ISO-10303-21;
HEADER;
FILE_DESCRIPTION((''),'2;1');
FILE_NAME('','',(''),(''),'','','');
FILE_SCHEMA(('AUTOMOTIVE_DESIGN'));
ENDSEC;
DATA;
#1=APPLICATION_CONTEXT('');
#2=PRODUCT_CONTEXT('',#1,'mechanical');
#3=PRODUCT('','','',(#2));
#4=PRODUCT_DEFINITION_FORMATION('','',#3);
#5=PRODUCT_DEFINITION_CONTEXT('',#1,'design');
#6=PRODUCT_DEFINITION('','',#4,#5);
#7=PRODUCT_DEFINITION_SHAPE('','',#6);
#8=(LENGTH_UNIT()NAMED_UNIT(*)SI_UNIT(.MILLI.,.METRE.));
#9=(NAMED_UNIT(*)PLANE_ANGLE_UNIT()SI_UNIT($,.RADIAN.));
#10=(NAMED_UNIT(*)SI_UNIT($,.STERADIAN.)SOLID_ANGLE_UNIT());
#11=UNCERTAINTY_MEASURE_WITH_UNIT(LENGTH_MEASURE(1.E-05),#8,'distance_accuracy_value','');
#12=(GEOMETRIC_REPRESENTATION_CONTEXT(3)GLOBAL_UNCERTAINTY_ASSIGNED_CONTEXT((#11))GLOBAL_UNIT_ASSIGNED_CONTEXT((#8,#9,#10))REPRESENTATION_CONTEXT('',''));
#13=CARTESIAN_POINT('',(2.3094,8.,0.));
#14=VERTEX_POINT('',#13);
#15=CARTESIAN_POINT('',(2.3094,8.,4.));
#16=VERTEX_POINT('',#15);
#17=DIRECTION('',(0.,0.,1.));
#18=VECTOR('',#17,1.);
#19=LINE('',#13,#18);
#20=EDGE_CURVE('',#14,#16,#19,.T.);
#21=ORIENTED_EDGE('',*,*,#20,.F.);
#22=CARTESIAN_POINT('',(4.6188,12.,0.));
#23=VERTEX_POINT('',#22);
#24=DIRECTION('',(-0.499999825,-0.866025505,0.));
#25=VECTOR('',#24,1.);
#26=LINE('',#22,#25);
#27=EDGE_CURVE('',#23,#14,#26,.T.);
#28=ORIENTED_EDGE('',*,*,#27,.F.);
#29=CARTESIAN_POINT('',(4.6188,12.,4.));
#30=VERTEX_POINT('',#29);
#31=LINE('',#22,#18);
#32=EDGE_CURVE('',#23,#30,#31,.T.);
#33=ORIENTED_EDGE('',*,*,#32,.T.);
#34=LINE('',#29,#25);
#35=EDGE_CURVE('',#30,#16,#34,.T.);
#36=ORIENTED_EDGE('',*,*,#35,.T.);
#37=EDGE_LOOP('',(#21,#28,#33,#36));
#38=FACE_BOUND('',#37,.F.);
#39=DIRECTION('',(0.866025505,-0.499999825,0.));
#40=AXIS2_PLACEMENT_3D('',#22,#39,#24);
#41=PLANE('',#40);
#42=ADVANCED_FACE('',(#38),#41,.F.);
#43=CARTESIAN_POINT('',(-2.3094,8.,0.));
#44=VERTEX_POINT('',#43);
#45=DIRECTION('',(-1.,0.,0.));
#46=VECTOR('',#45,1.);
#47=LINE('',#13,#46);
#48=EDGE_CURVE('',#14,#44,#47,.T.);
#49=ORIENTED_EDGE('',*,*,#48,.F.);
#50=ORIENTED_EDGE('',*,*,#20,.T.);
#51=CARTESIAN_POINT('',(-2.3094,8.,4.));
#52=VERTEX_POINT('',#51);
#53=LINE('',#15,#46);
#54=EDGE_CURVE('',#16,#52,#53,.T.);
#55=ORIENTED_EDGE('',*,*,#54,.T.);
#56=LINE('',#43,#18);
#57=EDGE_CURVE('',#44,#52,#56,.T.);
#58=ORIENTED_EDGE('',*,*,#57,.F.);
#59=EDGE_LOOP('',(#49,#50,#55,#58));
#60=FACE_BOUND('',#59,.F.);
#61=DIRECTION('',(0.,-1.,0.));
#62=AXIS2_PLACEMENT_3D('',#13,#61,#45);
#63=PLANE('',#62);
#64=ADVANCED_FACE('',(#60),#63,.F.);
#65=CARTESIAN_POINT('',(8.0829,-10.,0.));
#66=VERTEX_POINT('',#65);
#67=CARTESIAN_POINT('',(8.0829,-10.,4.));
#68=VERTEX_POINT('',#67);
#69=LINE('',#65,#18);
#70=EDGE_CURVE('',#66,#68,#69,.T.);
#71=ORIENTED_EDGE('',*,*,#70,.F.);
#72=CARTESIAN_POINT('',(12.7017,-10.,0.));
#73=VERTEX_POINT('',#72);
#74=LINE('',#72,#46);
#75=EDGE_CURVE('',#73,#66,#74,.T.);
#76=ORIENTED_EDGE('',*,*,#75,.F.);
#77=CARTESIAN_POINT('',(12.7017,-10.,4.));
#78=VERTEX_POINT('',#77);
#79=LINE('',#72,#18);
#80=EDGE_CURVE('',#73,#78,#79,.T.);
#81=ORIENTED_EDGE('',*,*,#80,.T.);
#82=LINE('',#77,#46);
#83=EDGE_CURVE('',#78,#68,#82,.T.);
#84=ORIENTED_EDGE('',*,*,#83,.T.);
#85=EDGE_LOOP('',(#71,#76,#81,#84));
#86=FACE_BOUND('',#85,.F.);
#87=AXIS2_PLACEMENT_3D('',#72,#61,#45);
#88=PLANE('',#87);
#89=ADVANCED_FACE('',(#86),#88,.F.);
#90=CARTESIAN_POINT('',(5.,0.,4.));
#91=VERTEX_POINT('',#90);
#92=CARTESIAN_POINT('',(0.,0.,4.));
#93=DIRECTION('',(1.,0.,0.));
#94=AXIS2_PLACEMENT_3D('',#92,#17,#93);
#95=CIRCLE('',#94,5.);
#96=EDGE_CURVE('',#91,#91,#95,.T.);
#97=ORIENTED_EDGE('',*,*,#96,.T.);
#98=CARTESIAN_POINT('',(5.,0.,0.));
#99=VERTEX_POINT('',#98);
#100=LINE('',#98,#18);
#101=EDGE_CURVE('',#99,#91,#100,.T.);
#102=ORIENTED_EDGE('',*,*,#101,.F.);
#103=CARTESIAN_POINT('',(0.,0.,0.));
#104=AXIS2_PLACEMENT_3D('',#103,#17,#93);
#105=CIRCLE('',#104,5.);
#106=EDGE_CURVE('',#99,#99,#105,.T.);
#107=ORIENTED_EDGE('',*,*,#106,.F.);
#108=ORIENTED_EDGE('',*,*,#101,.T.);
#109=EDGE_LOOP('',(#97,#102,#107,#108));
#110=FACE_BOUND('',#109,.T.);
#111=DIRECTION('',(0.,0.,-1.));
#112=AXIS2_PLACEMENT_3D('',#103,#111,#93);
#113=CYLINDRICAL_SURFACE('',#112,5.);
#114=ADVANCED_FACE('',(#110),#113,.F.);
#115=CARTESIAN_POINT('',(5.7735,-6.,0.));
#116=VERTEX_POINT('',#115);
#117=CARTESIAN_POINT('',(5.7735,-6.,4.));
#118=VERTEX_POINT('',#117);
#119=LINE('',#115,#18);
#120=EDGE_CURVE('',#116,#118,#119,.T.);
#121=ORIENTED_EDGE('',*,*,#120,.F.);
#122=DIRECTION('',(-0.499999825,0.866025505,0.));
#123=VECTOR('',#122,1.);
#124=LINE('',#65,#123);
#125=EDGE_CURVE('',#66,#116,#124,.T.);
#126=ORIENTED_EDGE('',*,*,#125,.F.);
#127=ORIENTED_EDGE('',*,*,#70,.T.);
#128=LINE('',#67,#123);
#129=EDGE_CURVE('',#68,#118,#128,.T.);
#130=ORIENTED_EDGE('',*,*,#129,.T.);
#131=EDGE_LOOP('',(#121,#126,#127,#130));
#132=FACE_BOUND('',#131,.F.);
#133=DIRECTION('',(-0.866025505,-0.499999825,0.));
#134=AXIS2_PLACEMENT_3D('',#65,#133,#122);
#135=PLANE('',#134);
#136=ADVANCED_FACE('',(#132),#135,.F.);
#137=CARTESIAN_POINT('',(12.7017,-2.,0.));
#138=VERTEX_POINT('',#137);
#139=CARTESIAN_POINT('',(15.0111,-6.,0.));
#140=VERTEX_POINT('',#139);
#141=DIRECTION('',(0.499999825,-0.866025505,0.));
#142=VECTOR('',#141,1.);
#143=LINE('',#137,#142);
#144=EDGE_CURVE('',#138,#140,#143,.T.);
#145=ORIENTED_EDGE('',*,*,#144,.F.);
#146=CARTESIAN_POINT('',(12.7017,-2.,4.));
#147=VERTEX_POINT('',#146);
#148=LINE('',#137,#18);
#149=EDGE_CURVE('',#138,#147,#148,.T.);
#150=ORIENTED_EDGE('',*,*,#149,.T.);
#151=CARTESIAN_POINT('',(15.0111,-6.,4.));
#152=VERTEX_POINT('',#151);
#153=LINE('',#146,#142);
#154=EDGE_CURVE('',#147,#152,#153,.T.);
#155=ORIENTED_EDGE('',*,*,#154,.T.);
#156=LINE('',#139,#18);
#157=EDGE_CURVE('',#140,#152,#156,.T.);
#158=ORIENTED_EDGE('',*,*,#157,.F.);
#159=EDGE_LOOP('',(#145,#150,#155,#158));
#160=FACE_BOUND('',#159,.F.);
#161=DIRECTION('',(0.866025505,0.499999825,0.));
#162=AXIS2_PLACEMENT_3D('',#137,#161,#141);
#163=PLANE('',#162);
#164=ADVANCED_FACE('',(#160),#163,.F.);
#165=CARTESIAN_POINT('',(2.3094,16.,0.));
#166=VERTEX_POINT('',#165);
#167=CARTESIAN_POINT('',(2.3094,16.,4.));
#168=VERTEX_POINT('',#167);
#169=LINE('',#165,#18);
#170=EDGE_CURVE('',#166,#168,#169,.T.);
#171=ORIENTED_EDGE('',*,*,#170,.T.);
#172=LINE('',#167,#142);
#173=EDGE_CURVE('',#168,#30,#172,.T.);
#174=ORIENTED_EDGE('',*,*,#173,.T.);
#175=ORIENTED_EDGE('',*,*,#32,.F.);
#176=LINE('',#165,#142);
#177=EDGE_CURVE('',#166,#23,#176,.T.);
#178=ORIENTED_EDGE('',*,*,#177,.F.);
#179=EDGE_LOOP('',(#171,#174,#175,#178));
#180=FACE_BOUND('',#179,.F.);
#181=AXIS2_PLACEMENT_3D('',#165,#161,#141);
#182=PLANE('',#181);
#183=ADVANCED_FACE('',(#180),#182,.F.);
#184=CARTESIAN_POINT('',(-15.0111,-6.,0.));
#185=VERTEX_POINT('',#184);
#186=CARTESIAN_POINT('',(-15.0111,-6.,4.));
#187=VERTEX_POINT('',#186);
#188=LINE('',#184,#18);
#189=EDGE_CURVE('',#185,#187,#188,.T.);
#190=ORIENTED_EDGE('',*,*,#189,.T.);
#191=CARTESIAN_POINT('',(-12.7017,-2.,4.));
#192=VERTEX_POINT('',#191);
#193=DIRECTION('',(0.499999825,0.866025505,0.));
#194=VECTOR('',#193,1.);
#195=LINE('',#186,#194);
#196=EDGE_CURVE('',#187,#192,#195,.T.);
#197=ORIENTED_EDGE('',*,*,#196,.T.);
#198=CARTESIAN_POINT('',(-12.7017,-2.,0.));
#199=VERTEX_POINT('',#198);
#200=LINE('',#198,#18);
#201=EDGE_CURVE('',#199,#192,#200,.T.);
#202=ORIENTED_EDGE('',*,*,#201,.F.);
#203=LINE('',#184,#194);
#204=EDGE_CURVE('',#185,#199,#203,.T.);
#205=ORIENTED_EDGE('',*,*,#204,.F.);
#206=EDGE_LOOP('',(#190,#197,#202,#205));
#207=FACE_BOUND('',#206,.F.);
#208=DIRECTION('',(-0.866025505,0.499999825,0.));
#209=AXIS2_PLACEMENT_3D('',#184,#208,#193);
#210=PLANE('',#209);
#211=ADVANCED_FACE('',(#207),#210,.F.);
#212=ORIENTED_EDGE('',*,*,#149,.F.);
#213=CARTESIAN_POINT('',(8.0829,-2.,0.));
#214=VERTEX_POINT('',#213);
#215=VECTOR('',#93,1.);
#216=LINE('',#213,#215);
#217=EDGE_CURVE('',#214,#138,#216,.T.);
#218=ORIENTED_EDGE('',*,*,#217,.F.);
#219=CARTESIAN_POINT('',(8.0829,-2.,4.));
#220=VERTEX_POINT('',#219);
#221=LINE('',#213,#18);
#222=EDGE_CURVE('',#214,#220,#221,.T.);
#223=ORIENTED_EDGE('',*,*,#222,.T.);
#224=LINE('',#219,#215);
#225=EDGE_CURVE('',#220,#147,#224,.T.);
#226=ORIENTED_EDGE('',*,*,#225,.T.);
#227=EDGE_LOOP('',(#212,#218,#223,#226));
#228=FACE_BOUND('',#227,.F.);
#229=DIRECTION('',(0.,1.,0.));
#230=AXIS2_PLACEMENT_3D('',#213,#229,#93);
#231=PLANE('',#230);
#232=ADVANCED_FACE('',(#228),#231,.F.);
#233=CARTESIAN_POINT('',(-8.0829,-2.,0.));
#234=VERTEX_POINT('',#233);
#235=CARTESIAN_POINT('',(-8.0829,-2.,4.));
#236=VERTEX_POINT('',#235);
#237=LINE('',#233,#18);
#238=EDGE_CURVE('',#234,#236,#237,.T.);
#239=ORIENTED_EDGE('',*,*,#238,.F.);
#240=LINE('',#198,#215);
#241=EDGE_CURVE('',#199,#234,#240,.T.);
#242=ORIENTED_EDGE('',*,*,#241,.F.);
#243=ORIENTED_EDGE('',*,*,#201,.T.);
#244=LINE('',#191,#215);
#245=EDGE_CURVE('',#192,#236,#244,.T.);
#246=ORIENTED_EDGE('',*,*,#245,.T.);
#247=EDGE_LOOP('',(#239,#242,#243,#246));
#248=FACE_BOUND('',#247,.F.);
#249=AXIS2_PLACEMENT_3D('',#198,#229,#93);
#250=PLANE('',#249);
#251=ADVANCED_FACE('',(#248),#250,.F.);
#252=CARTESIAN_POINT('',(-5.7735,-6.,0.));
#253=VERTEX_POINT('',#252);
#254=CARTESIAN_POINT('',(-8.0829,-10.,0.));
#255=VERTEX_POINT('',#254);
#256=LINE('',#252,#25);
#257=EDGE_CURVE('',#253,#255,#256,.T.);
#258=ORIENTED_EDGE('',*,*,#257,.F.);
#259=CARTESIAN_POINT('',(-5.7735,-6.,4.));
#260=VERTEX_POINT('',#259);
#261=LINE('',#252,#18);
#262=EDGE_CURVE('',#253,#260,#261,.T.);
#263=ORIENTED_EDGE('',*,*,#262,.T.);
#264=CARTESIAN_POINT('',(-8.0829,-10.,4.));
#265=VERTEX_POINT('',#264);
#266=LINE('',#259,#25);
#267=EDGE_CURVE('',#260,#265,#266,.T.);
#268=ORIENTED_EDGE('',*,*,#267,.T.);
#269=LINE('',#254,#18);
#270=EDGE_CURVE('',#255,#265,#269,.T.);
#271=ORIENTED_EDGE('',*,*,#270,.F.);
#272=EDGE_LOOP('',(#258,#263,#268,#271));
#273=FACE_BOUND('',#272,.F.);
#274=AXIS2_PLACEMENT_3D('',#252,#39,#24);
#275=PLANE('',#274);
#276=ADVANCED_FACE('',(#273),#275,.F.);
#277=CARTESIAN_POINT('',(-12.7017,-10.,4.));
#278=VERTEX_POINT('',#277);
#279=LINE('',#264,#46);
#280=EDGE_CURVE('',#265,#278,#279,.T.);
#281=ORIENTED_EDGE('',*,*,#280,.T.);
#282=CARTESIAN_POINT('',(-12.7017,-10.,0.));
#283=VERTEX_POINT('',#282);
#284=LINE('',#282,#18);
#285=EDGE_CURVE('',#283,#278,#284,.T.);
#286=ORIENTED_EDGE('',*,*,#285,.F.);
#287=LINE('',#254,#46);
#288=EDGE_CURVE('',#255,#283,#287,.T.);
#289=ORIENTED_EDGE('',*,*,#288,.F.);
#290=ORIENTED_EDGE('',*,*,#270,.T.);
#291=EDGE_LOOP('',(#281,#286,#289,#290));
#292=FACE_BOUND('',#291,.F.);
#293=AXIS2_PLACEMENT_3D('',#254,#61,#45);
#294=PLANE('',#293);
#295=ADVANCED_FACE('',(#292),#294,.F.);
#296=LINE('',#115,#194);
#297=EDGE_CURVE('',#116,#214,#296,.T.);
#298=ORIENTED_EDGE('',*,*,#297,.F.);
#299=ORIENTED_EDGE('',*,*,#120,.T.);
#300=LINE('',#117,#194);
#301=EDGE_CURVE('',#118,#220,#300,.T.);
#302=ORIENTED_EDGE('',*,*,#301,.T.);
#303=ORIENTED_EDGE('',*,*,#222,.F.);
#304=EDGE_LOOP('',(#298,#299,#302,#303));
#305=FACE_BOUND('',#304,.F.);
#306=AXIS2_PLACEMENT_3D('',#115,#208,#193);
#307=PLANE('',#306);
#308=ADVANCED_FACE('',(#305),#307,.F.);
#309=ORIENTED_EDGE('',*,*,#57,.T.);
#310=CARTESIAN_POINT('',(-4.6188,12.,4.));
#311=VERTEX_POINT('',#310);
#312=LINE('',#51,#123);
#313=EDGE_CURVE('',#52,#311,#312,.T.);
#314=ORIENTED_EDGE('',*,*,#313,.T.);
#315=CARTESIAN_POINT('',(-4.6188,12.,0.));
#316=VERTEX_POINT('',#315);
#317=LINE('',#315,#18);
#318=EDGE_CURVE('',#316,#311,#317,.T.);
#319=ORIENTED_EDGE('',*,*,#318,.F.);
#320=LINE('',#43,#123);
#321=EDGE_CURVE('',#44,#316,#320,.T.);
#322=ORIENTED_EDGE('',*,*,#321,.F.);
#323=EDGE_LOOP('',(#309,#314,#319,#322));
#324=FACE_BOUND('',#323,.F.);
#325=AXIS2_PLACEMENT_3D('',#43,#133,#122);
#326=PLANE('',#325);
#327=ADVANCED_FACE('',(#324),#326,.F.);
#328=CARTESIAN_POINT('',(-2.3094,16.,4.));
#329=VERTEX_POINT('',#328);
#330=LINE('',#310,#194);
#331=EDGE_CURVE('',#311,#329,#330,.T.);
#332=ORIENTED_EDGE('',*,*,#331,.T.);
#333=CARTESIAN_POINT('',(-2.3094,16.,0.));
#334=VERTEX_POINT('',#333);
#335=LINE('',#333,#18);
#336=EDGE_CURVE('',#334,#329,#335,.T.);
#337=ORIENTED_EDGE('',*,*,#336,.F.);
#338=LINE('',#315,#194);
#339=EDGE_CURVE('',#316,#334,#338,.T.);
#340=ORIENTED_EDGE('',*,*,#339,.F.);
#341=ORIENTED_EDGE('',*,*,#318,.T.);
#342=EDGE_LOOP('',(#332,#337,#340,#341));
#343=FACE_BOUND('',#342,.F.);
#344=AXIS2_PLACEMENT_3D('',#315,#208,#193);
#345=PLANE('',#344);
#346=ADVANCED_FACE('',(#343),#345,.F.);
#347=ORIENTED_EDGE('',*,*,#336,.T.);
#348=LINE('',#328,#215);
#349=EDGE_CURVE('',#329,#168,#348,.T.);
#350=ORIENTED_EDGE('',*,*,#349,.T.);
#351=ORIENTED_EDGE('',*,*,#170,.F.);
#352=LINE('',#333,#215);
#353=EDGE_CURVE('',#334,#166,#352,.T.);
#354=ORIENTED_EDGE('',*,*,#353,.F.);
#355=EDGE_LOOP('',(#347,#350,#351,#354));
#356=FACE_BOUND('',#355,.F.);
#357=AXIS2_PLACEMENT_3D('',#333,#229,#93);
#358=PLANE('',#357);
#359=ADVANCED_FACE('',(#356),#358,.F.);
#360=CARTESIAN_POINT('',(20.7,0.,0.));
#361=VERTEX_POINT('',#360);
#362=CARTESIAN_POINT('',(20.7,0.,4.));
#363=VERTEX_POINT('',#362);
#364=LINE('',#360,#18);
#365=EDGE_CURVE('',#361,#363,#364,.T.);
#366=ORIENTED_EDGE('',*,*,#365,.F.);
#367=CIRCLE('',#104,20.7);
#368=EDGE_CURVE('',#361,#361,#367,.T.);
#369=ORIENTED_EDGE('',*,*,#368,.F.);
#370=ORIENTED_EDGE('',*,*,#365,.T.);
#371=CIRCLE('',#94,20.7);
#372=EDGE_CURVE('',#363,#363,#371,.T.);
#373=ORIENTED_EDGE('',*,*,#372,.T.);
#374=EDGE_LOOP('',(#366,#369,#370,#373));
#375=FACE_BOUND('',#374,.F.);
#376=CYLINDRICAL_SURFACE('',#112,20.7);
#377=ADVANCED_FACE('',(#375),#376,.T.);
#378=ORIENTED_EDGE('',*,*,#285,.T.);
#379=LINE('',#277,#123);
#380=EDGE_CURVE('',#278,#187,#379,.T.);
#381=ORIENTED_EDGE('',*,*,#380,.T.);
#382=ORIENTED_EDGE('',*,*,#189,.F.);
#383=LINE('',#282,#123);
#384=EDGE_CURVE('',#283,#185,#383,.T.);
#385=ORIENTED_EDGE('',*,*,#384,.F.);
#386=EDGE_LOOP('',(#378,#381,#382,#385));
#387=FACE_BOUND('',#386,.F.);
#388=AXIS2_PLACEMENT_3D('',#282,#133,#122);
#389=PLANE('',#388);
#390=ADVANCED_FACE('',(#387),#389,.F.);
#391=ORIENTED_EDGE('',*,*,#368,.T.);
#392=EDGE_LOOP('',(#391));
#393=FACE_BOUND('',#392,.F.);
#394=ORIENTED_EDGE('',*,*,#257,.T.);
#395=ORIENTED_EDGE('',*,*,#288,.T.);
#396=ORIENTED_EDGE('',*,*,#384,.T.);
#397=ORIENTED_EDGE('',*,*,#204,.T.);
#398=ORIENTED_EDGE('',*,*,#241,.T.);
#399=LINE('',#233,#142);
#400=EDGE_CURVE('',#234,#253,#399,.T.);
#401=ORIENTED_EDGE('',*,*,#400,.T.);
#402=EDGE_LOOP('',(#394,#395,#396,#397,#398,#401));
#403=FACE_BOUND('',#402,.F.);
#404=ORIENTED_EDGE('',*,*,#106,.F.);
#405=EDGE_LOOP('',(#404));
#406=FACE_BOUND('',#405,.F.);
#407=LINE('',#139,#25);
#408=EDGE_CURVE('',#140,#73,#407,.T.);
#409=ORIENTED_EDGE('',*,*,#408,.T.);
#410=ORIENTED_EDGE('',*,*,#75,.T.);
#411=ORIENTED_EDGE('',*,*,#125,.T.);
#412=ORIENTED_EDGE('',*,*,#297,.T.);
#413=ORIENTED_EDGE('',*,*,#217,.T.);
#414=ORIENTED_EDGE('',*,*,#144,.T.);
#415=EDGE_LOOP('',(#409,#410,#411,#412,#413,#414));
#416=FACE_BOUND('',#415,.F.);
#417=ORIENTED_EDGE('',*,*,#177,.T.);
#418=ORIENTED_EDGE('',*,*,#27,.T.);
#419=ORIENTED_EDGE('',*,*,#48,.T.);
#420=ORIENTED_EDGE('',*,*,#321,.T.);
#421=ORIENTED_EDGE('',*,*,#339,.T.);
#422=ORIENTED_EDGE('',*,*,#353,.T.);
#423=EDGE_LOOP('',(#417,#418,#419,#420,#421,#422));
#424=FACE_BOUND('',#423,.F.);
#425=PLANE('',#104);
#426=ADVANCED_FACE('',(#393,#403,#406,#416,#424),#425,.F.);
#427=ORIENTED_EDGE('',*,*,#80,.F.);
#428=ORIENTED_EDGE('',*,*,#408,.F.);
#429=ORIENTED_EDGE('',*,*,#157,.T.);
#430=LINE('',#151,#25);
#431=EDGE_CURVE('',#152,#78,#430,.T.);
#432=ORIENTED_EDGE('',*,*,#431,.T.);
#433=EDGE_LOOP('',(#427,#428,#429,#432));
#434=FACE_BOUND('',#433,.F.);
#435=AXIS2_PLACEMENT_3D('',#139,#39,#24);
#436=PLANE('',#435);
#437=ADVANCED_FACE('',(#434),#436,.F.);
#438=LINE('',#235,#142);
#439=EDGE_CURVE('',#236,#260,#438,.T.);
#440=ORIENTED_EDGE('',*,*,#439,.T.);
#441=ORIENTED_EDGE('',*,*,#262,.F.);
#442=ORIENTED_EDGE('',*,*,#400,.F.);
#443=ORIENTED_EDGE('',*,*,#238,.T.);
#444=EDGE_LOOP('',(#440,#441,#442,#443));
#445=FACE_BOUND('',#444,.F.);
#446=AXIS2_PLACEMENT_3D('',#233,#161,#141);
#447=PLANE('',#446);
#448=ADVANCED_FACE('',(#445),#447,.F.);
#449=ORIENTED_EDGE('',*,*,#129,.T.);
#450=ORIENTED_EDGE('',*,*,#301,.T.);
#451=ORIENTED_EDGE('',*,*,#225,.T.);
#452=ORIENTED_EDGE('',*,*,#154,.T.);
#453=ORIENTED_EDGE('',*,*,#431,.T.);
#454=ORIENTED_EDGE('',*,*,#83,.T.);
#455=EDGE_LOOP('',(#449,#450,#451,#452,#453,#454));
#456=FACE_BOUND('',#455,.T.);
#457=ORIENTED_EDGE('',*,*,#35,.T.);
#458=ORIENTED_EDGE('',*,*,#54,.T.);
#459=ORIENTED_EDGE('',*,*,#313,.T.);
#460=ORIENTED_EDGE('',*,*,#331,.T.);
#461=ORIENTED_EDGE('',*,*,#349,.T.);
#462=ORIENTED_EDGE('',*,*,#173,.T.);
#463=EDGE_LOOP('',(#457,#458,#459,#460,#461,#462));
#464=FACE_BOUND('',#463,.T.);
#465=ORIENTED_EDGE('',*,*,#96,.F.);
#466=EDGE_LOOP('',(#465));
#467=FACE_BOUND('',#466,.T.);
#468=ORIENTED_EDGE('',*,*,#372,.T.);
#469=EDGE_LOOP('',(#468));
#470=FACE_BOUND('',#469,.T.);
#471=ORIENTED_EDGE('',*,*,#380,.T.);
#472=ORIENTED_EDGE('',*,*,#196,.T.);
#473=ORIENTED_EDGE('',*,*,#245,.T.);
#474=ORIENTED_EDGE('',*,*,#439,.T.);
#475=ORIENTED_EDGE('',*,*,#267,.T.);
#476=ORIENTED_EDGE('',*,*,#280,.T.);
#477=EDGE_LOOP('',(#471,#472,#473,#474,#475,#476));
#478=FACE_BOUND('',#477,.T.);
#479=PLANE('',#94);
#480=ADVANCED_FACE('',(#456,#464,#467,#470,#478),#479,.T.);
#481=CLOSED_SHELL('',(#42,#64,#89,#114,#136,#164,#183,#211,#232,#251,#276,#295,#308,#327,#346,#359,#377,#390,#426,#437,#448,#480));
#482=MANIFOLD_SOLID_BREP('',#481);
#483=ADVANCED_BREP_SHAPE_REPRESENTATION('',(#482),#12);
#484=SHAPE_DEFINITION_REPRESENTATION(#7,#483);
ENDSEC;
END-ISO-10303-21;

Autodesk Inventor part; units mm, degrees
ref_plane "YZ Plane" through (0, 0, 0) normal (1, 0, 0) x (0, 1, 0)
ref_plane "XZ Plane" through (0, 0, 0) normal (0, 1, 0) x (-1, 0, 0)
ref_plane "XY Plane" through (0, 0, 0) normal (0, 0, 1) x (1, 0, 0)
sketch "Эскиз1" plane through (0, 0, 0) normal (0, 0, 1) x (1, 0, 0)
  circle A0 centre (0, 0) radius 5
  circle A1 centre (0, 0) radius 20.7
  line L0 (0, -28.98) -> (0, 28.98) construction
  line L1 (-28.98, 0) -> (28.98, 0) construction
  line L2 (2.3094, 8) -> (-2.3094, 8)
  line L3 (-2.3094, 8) -> (-4.6188, 12)
  line L4 (-4.6188, 12) -> (-2.3094, 16)
  line L5 (-2.3094, 16) -> (2.3094, 16)
  line L6 (2.3094, 16) -> (4.6188, 12)
  line L7 (4.6188, 12) -> (2.3094, 8)
  line L8 (-8.0829, -10) -> (-12.7017, -10)
  line L9 (-5.7735, -6) -> (-8.0829, -10)
  line L10 (-8.0829, -2) -> (-5.7735, -6)
  line L11 (-12.7017, -2) -> (-8.0829, -2)
  line L12 (-15.0111, -6) -> (-12.7017, -2)
  line L13 (-12.7017, -10) -> (-15.0111, -6)
  line L14 (12.7017, -2) -> (15.0111, -6)
  line L15 (8.0829, -2) -> (12.7017, -2)
  line L16 (5.7735, -6) -> (8.0829, -2)
  line L17 (8.0829, -10) -> (5.7735, -6)
  line L18 (12.7017, -10) -> (8.0829, -10)
  line L19 (15.0111, -6) -> (12.7017, -10)
  point P0 (0, 12)
  dimension "d0" = 10
  dimension "d1" = 41.4
  dimension "d10" = 12
  dimension "d11" = 8
  dimension "d14" = 360
extrude "Выдавливание1" add sketch "Эскиз1" along normal blind 4
properties part number "Бортик внутренний (конусной катушки)"
